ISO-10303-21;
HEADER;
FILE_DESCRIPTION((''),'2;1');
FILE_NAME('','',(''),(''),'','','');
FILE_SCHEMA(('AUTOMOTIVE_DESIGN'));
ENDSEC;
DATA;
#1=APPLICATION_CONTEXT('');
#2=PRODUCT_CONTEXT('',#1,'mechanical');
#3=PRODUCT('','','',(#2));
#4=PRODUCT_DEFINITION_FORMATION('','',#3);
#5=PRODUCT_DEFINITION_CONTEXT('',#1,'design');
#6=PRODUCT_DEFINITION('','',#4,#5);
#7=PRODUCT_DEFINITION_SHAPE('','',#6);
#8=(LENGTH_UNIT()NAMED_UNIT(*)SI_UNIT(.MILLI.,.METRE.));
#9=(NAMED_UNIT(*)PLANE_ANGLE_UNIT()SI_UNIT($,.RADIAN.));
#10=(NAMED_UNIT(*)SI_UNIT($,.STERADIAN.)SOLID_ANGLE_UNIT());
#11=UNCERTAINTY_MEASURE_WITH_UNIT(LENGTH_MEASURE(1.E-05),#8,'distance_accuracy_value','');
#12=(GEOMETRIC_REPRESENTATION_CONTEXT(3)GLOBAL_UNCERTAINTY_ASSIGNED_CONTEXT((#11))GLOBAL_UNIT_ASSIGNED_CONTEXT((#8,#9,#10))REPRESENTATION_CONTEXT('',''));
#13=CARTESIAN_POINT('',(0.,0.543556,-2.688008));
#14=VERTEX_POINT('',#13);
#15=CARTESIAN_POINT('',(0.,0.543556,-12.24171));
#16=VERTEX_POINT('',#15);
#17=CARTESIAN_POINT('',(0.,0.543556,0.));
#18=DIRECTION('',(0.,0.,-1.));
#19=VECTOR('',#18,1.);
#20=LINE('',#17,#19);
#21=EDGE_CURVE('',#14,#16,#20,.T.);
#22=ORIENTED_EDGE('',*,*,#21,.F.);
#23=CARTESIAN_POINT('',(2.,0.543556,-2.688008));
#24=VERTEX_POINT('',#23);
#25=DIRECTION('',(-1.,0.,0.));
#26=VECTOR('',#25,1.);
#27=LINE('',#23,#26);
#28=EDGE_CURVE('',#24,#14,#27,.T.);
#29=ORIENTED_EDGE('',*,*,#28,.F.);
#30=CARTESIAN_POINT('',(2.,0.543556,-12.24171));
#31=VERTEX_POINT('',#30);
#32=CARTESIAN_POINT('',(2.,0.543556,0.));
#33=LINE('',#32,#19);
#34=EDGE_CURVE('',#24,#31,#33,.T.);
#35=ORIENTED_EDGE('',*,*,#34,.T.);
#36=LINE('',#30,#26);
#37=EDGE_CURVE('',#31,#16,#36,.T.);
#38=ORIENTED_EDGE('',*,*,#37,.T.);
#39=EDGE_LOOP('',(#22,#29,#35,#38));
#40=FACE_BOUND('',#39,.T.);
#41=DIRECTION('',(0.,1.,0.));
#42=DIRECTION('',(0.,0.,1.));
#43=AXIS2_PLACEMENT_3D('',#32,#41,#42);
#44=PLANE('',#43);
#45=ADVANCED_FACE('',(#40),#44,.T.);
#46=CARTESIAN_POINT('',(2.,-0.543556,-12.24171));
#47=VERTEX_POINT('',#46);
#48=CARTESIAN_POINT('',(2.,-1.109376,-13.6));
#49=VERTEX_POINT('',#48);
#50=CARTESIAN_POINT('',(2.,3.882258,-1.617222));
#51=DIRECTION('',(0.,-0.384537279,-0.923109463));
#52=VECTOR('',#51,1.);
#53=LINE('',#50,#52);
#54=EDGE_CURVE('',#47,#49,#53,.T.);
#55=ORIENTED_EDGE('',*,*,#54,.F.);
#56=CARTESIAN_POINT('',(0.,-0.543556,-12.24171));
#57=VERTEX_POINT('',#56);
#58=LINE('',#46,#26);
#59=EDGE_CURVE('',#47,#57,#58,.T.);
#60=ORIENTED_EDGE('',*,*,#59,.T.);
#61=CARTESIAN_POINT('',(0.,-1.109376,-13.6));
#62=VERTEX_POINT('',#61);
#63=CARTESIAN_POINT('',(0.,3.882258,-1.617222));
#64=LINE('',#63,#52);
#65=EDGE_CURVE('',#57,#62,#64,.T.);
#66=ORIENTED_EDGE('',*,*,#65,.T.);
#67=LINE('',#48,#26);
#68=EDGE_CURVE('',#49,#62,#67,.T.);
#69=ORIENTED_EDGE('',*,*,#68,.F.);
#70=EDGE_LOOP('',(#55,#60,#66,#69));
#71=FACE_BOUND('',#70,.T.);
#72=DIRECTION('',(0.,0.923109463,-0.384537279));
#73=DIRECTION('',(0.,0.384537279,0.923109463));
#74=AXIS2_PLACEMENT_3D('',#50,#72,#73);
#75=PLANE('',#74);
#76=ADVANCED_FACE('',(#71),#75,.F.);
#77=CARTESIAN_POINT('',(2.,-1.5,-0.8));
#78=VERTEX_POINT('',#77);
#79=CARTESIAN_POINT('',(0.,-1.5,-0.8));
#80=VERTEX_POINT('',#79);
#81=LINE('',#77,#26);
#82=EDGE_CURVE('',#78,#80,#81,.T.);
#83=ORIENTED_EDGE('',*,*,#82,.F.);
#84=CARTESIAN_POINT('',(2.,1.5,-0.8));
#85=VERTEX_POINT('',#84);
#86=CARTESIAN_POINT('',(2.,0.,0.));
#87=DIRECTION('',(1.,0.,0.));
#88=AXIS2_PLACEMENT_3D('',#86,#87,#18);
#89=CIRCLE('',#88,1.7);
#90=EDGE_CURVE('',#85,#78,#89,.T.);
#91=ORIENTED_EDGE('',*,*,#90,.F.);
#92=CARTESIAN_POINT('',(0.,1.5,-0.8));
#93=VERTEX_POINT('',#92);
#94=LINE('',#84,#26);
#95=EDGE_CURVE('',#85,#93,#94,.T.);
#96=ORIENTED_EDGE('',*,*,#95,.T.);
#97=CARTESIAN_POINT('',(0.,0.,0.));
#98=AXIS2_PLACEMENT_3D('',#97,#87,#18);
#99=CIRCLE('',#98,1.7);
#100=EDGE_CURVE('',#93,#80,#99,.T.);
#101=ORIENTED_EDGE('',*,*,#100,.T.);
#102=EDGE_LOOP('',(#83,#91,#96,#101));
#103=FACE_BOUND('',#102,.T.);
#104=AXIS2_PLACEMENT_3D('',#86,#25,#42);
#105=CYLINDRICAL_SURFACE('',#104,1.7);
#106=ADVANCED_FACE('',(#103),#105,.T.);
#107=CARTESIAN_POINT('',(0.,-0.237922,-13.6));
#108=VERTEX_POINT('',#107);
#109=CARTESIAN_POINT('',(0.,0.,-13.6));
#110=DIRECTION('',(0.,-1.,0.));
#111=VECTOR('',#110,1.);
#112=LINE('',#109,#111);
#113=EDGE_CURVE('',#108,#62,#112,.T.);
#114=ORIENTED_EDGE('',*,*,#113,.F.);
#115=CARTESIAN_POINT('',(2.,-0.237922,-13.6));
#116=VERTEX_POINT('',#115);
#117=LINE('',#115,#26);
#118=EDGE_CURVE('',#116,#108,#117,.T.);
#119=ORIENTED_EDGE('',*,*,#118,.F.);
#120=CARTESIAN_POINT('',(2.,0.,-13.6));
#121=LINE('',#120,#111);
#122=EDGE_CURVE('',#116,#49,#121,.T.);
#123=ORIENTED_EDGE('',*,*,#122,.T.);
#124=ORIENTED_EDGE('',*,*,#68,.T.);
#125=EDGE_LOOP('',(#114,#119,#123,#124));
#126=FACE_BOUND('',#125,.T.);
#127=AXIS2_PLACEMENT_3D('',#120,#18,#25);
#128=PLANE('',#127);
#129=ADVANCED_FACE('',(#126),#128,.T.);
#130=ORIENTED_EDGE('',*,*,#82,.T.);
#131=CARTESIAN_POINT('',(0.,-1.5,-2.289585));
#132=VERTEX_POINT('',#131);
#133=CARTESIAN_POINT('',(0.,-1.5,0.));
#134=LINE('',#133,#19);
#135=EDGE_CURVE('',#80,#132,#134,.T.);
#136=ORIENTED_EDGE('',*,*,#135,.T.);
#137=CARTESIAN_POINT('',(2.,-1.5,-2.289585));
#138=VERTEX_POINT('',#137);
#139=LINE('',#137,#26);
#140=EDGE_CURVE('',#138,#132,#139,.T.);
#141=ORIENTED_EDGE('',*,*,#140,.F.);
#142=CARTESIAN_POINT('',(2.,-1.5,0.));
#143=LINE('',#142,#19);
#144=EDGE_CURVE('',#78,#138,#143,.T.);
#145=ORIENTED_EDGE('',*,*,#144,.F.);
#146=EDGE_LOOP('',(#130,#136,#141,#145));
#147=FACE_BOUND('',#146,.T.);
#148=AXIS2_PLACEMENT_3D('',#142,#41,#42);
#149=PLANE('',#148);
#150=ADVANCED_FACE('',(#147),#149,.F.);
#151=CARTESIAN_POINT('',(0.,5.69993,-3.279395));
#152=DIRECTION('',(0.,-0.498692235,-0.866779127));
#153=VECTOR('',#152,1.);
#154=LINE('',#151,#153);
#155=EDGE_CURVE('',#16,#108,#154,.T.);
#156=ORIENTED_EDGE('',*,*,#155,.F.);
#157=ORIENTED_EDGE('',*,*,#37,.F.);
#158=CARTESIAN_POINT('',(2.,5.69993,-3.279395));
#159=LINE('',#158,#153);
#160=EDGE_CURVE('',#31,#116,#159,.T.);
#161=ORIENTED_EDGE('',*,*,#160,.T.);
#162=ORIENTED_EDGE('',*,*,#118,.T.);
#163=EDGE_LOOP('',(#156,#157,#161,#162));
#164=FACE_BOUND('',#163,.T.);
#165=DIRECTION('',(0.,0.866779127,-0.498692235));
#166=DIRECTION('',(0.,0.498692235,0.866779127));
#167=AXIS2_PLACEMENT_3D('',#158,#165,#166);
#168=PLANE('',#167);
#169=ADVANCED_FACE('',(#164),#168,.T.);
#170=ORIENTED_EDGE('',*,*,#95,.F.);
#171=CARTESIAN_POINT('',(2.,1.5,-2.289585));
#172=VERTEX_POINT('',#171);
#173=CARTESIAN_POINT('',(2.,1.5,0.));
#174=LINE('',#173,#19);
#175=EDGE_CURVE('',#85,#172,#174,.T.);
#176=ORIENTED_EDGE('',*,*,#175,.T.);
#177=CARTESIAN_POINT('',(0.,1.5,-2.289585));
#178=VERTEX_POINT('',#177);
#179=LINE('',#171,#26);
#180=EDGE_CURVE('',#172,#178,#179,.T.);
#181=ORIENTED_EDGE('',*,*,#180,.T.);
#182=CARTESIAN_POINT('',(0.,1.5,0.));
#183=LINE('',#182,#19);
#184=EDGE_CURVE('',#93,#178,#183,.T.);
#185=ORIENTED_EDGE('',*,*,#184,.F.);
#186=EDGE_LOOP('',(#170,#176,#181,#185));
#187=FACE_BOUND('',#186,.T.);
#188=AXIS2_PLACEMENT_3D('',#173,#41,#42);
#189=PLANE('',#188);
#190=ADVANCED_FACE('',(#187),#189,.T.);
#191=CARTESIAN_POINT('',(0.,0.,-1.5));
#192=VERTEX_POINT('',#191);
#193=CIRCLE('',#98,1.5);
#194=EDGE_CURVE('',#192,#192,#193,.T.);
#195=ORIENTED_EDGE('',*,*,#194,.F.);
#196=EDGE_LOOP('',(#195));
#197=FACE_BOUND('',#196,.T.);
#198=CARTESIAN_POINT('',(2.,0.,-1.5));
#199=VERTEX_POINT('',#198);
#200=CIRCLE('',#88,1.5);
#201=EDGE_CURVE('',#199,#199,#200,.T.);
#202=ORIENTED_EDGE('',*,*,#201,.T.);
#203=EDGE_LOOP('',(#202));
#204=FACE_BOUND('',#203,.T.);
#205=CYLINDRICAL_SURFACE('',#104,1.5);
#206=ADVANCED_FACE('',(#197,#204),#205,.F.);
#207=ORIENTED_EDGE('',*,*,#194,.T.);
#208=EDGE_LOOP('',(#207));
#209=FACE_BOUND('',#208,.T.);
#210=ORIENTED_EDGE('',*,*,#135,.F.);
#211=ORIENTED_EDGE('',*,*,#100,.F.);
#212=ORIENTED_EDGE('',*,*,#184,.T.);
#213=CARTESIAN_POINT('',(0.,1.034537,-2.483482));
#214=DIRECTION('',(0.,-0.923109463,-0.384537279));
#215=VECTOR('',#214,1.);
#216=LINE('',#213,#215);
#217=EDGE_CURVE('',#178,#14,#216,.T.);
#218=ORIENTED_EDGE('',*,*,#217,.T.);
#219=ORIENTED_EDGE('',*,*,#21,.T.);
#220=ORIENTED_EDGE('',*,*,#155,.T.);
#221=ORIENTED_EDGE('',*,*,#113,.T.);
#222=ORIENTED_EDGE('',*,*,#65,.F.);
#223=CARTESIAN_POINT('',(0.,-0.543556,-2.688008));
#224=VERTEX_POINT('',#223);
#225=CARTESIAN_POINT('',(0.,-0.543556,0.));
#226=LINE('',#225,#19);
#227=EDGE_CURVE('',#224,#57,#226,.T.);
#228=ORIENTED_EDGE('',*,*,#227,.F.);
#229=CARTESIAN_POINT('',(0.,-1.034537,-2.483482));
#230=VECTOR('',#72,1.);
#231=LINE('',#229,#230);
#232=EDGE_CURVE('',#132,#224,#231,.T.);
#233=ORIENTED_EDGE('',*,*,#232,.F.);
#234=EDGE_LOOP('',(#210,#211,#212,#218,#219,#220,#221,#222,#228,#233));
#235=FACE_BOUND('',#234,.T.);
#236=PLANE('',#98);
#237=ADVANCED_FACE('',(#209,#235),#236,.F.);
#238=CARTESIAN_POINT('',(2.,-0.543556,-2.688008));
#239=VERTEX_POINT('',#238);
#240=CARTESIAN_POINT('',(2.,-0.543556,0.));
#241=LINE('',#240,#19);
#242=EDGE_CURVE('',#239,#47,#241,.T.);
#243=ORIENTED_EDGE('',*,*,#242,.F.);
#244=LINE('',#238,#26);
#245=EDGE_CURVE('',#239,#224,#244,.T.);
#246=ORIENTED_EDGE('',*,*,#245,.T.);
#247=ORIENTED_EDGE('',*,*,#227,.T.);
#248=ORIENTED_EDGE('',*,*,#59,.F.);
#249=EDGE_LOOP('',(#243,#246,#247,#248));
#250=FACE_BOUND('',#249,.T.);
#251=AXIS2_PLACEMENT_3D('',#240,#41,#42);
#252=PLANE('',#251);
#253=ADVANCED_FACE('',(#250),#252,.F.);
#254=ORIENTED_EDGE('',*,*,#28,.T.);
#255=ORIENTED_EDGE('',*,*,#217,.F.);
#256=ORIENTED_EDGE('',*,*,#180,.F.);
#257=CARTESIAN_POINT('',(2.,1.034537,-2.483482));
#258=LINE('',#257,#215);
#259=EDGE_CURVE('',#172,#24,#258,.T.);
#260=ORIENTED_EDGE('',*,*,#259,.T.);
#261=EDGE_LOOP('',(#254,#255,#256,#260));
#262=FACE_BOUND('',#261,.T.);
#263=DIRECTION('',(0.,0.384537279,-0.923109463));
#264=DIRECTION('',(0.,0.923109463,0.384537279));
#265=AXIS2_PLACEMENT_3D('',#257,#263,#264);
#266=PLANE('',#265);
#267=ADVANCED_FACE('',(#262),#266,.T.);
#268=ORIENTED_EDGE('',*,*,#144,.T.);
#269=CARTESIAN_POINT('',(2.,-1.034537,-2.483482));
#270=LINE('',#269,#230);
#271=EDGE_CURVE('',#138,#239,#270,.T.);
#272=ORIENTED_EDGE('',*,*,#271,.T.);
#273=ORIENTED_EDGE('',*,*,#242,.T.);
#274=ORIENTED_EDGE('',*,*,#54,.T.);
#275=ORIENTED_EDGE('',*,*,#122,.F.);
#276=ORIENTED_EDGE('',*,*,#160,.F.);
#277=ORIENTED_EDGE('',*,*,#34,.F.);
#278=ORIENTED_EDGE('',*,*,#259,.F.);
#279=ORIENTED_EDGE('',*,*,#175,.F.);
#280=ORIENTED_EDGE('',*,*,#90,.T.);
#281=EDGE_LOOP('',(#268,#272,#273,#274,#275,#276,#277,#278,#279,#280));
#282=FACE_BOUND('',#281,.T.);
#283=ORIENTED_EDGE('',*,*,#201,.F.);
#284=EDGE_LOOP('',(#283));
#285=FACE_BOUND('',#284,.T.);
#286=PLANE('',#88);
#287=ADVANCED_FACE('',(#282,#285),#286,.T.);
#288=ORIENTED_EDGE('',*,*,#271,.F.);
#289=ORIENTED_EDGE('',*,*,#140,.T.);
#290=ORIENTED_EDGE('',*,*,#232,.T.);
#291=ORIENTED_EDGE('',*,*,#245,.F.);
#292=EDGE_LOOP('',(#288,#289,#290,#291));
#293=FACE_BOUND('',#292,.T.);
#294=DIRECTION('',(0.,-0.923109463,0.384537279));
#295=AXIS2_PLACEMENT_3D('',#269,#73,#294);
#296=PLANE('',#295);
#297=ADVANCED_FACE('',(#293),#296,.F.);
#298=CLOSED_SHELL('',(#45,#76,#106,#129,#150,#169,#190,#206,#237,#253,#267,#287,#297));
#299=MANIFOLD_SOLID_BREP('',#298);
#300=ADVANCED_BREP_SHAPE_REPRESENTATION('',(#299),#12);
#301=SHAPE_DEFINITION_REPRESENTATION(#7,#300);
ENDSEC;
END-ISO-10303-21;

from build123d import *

# Parameters (mm, degrees)
CROQUIS2_R              = 1.5
SALIENTE_EXTRUIR1_DEPTH = 2


with BuildPart() as part:
    # Croquis2 → Saliente-Extruir1 (new body)
    with BuildSketch(Plane(origin=(0, 0, 0), x_dir=(0, 0, -1), z_dir=(1, 0, 0))):
        with BuildLine():
            Line((2.289585189, 1.5), (0.8, 1.5))
            ThreePointArc((0.8, 1.5), (-1.7, 0), (0.8, -1.5))
            Line((0.8, -1.5), (2.289585189, -1.5))
            Line((2.289585189, -1.5), (2.688008385, -0.543556392))
            Line((2.688008385, -0.543556392), (12.241709619, -0.543556392))
            Line((12.241709619, -0.543556392), (13.6, -1.109375841))
            Line((13.6, -1.109375841), (13.6, -0.237921662))
            Line((13.6, -0.237921662), (12.241709619, 0.543556392))
            Line((12.241709619, 0.543556392), (2.688008385, 0.543556392))
            Line((2.688008385, 0.543556392), (2.289585189, 1.5))
        make_face()
        Circle(CROQUIS2_R, mode=Mode.SUBTRACT)
    extrude(amount=SALIENTE_EXTRUIR1_DEPTH)


solid = part.part
